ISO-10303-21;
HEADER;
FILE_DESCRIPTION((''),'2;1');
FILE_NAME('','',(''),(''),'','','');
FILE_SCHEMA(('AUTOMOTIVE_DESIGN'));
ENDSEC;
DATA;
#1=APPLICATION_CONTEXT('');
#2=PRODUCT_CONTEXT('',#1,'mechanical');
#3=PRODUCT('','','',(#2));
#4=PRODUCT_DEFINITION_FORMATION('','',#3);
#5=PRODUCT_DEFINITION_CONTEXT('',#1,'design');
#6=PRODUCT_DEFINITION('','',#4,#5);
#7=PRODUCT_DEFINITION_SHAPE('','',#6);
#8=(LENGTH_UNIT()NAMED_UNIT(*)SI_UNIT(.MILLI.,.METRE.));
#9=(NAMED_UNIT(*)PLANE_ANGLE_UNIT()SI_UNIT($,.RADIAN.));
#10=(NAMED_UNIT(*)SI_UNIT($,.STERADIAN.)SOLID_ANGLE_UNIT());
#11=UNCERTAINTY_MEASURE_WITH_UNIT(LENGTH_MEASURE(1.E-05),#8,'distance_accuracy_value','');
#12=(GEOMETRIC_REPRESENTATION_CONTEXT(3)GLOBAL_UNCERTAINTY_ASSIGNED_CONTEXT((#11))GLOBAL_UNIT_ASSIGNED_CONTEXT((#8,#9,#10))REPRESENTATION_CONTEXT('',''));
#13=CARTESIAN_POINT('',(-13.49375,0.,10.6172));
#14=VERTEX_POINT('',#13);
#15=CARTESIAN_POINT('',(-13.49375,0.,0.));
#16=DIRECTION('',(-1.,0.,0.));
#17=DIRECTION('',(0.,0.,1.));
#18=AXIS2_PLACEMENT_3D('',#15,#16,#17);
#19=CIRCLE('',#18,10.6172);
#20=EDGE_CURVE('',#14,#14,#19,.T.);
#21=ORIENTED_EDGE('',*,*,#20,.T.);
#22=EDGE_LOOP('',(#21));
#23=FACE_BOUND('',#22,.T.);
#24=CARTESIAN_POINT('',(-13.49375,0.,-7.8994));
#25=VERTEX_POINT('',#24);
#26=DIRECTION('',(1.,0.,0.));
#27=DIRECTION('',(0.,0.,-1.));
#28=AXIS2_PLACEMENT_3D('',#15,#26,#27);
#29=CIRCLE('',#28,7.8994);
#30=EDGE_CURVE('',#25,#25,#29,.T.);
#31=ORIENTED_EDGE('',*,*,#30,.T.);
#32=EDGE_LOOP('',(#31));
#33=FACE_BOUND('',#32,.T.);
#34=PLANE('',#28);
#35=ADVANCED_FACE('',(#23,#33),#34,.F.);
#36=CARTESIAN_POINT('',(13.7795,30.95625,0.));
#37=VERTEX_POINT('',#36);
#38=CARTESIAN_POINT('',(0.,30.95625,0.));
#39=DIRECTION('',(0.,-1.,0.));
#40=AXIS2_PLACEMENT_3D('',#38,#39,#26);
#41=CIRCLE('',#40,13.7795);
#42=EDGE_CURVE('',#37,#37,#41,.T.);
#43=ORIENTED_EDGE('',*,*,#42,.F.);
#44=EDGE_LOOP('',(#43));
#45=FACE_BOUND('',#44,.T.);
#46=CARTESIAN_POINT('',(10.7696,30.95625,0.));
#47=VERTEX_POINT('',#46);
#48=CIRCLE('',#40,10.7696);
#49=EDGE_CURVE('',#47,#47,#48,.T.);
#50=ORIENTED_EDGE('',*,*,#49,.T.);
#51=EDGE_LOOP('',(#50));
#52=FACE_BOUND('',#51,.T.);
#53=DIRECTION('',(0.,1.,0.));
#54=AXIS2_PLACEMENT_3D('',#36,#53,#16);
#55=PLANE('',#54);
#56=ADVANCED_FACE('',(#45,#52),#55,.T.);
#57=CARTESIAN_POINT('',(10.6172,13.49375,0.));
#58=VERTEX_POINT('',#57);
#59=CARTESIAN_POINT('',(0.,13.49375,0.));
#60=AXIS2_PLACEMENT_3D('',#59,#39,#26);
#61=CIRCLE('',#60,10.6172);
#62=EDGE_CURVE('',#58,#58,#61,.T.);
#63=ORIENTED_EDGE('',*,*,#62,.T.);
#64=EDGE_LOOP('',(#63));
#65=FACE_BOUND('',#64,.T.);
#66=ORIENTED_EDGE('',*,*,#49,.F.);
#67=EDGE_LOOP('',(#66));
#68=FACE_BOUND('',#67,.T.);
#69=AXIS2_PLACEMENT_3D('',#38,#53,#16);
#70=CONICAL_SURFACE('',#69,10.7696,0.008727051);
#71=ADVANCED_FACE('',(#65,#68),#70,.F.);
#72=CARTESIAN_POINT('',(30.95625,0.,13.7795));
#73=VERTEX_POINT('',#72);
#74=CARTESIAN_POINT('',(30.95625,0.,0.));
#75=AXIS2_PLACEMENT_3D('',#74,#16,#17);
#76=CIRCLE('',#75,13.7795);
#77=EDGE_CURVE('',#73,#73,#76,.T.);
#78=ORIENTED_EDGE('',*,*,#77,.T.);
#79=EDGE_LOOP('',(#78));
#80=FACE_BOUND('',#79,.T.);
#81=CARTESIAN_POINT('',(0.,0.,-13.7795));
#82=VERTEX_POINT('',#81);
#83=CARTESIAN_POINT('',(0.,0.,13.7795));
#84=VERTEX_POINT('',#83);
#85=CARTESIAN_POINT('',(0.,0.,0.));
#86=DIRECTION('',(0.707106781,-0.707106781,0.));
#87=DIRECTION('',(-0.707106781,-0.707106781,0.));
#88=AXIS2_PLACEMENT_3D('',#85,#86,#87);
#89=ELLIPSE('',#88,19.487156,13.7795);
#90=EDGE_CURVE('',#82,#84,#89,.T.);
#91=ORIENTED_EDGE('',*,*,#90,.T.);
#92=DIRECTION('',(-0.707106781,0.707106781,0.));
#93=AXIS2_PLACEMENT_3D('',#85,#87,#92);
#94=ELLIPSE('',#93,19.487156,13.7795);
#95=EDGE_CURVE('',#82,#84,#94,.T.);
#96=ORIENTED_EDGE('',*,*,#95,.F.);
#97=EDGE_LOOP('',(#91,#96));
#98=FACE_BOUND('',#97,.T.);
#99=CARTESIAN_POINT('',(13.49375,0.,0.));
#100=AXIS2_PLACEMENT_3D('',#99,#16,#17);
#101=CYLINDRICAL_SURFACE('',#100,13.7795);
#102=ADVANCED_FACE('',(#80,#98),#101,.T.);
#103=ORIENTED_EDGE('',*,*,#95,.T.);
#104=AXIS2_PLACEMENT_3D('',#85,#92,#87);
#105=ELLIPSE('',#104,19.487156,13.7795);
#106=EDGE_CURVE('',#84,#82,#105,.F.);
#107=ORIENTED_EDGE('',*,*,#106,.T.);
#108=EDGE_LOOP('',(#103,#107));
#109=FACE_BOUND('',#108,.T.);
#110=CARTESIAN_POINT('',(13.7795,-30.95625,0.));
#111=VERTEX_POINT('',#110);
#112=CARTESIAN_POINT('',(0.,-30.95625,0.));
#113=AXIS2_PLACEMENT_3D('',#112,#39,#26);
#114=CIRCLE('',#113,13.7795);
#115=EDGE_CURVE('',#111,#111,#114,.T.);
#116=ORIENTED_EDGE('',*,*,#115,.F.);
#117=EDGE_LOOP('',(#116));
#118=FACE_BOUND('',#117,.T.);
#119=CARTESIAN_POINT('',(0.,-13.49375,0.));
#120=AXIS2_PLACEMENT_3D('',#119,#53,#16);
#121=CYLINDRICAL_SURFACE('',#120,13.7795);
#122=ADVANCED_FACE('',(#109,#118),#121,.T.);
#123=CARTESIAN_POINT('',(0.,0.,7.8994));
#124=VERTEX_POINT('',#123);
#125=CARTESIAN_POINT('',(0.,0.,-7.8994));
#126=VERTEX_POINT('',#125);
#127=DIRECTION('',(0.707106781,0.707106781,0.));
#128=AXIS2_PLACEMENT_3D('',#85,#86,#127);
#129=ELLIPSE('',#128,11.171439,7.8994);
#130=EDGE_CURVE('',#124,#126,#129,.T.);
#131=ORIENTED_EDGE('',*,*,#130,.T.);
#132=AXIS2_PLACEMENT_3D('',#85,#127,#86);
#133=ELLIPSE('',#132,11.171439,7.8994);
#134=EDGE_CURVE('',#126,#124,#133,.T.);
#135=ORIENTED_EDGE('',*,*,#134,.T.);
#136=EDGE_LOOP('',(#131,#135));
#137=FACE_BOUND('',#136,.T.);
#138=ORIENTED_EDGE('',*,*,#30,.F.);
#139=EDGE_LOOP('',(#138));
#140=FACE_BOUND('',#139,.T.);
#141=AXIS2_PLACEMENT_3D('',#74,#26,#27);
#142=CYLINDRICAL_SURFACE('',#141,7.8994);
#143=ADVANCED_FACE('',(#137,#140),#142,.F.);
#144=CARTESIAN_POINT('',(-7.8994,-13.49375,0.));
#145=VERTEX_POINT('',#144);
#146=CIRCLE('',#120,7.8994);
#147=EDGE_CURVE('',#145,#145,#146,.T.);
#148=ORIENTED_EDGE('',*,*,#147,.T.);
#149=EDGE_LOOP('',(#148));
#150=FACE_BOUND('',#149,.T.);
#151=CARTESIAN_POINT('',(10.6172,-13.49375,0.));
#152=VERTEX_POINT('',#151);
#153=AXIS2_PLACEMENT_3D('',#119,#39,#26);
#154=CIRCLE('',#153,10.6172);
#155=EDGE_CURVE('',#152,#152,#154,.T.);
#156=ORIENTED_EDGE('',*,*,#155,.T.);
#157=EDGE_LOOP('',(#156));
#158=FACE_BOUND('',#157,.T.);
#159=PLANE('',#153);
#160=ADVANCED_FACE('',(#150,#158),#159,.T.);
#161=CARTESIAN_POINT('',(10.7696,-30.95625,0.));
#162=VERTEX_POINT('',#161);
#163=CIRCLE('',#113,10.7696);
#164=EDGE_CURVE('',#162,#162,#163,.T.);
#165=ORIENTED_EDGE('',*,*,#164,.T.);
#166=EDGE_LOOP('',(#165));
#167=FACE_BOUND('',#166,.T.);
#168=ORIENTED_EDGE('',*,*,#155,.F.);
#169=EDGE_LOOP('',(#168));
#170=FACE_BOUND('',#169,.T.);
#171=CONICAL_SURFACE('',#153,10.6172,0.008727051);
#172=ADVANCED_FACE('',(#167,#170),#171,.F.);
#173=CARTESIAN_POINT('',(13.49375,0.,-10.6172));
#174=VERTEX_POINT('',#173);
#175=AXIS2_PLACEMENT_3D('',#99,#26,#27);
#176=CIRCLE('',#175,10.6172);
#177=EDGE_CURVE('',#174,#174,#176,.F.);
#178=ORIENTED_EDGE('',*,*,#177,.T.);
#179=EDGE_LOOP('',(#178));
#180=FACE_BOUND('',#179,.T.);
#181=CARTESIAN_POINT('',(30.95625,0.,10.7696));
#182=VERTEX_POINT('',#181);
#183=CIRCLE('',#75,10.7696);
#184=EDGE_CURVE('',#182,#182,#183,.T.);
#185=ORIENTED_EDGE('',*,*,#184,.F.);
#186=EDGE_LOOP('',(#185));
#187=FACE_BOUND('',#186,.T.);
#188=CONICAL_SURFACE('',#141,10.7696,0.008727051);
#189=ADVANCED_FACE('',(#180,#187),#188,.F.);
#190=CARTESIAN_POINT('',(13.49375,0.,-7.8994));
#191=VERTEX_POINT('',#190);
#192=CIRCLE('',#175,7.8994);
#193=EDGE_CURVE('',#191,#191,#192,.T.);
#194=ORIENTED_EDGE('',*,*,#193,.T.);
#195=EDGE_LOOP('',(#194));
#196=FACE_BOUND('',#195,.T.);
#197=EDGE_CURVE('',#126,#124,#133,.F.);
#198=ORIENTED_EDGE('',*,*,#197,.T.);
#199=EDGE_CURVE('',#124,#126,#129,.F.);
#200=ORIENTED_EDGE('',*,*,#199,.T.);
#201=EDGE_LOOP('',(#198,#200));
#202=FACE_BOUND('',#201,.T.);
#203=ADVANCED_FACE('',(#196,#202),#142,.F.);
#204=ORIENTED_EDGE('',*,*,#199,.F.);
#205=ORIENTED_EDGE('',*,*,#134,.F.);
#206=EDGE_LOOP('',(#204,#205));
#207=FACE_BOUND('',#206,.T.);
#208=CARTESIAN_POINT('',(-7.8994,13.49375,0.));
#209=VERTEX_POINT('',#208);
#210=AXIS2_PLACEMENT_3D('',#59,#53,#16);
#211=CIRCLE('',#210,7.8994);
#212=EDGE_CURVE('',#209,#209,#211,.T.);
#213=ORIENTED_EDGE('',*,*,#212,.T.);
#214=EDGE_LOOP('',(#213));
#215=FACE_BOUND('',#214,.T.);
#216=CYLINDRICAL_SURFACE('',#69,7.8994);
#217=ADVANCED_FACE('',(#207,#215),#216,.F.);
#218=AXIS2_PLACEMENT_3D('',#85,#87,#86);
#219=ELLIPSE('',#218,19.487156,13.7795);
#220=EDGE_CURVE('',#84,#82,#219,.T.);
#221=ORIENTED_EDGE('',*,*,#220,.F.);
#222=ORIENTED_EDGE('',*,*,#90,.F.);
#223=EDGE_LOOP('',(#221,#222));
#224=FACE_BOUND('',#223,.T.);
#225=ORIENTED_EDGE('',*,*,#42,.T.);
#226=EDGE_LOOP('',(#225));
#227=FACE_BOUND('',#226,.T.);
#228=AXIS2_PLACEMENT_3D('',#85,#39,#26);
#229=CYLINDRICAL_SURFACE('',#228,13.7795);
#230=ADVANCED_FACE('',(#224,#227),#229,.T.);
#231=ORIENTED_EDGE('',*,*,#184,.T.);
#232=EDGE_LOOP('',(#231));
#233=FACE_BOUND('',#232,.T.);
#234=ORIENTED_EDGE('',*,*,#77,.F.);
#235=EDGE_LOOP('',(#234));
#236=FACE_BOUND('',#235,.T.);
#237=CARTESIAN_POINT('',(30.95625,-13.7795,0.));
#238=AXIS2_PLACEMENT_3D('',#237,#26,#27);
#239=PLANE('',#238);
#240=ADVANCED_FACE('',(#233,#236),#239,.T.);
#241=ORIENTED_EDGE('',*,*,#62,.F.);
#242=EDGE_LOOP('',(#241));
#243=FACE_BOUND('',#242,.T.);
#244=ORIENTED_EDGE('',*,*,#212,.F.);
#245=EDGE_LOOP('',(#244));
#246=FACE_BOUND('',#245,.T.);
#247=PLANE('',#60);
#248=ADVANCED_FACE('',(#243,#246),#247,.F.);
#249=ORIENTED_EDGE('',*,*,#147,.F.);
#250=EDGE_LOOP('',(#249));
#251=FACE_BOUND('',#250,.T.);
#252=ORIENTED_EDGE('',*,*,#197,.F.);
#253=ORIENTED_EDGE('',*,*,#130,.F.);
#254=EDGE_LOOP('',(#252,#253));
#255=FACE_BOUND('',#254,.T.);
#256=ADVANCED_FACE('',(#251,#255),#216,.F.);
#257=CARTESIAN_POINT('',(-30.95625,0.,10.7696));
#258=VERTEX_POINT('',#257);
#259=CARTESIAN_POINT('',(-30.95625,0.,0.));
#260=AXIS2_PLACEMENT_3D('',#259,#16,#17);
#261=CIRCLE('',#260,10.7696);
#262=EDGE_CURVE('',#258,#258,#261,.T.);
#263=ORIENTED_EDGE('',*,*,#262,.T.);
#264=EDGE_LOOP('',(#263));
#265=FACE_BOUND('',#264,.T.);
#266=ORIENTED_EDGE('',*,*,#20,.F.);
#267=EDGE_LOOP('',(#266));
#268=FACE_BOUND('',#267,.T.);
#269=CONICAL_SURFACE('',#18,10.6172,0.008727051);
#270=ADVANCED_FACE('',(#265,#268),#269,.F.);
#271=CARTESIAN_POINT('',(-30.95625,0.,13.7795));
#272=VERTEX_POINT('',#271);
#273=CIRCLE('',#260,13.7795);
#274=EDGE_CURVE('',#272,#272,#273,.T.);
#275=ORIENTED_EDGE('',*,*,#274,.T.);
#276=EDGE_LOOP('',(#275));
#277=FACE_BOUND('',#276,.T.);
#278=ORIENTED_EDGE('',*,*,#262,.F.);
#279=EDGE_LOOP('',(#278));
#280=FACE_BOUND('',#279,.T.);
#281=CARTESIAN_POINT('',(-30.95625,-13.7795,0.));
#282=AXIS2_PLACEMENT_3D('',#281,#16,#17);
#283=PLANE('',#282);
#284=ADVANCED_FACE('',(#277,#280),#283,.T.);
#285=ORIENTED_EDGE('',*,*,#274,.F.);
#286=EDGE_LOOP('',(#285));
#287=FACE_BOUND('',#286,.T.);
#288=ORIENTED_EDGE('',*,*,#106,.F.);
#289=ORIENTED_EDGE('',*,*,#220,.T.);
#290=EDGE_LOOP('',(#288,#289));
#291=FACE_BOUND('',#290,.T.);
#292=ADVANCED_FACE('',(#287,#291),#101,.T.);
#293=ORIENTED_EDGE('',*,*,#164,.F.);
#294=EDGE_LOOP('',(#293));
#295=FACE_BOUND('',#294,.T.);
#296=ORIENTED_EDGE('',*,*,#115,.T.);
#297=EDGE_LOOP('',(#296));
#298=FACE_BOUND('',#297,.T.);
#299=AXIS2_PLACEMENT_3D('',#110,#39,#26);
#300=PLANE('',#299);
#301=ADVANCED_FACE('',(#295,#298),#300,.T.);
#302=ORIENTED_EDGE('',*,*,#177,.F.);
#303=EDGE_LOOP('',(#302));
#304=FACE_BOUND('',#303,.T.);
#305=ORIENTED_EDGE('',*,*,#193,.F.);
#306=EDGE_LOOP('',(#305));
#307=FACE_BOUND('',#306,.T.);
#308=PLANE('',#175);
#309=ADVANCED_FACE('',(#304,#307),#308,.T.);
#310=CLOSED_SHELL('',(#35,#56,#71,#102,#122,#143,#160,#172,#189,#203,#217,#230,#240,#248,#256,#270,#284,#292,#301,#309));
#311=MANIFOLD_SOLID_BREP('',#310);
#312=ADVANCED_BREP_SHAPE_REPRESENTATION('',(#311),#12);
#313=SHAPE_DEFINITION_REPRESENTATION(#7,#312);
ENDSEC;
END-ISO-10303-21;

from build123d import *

# Parameters (mm, degrees)
SKETCH4_R           = 13.7795
BOSS_EXTRUDE1_DEPTH = 44.45
SKETCH5_R           = 13.7795
BOSS_EXTRUDE2_DEPTH = 44.45


with BuildPart() as part:
    # Sketch1 → Revolve1 (revolve)
    with BuildSketch(Plane.XY):
        Polygon((-30.95625, -13.7795), (-13.49375, -13.7795), (-13.49375, -10.6172), (-30.95625, -10.7696), align=None)
        Polygon((30.95625, -10.7696), (13.49375, -10.6172), (13.49375, -13.7795), (30.95625, -13.7795), align=None)
    revolve(axis=Axis((-30.95625, 0, 0), (1, 0, 0)))



with BuildPart() as body_2:
    # Sketch2 → Revolve2 (revolve)
    with BuildSketch(Plane.XY):
        Polygon((10.7696, 30.95625), (10.6172, 13.49375), (13.7795, 13.49375), (13.7795, 30.95625), align=None)
        Polygon((13.7795, -30.95625), (10.7696, -30.95625), (10.6172, -13.49375), (13.7795, -13.49375), align=None)
    revolve(axis=Axis((0, 0, 0), (0, 1, 0)))


with BuildPart() as part_1:
    add(part.part)

    add(body_2.part)  # Boss-Extrude1 merges body 2
    # Sketch4 → Boss-Extrude1 (add)
    with BuildSketch(Plane(origin=(-13.49375, 0, 0), x_dir=(0, 0, -1), z_dir=(1, 0, 0))):
        Circle(SKETCH4_R)
    extrude(amount=BOSS_EXTRUDE1_DEPTH)

    # Sketch5 → Boss-Extrude2 (add)
    with BuildSketch(Plane.XZ.offset(-13.49375)):
        Circle(SKETCH5_R)
    extrude(amount=BOSS_EXTRUDE2_DEPTH)

    # Sketch6 → Cut-Revolve1 (revolve, cut)
    with BuildSketch(Plane.XY):
        Polygon((-30.95625, -10.7696), (-13.49375, -10.6172), (-13.49375, -7.8994), (13.49375, -7.8994), (13.49375, -10.6172), (30.95625, -10.7696), (30.95625, 0), (-30.95625, 0), align=None)
    revolve(axis=Axis((30.95625, 0, 0), (-1, 0, 0)), mode=Mode.SUBTRACT)

    # Sketch7 → Cut-Revolve2 (revolve, cut)
    with BuildSketch(Plane.XY):
        Polygon((10.7696, 30.95625), (10.6172, 13.49375), (7.8994, 13.49375), (7.8994, -13.49375), (10.6172, -13.49375), (10.7696, -30.95625), (0, -30.95625), (0, 30.95625), align=None)
    revolve(axis=Axis((0, 30.95625, 0), (0, -1, 0)), mode=Mode.SUBTRACT)


solid = part_1.part
